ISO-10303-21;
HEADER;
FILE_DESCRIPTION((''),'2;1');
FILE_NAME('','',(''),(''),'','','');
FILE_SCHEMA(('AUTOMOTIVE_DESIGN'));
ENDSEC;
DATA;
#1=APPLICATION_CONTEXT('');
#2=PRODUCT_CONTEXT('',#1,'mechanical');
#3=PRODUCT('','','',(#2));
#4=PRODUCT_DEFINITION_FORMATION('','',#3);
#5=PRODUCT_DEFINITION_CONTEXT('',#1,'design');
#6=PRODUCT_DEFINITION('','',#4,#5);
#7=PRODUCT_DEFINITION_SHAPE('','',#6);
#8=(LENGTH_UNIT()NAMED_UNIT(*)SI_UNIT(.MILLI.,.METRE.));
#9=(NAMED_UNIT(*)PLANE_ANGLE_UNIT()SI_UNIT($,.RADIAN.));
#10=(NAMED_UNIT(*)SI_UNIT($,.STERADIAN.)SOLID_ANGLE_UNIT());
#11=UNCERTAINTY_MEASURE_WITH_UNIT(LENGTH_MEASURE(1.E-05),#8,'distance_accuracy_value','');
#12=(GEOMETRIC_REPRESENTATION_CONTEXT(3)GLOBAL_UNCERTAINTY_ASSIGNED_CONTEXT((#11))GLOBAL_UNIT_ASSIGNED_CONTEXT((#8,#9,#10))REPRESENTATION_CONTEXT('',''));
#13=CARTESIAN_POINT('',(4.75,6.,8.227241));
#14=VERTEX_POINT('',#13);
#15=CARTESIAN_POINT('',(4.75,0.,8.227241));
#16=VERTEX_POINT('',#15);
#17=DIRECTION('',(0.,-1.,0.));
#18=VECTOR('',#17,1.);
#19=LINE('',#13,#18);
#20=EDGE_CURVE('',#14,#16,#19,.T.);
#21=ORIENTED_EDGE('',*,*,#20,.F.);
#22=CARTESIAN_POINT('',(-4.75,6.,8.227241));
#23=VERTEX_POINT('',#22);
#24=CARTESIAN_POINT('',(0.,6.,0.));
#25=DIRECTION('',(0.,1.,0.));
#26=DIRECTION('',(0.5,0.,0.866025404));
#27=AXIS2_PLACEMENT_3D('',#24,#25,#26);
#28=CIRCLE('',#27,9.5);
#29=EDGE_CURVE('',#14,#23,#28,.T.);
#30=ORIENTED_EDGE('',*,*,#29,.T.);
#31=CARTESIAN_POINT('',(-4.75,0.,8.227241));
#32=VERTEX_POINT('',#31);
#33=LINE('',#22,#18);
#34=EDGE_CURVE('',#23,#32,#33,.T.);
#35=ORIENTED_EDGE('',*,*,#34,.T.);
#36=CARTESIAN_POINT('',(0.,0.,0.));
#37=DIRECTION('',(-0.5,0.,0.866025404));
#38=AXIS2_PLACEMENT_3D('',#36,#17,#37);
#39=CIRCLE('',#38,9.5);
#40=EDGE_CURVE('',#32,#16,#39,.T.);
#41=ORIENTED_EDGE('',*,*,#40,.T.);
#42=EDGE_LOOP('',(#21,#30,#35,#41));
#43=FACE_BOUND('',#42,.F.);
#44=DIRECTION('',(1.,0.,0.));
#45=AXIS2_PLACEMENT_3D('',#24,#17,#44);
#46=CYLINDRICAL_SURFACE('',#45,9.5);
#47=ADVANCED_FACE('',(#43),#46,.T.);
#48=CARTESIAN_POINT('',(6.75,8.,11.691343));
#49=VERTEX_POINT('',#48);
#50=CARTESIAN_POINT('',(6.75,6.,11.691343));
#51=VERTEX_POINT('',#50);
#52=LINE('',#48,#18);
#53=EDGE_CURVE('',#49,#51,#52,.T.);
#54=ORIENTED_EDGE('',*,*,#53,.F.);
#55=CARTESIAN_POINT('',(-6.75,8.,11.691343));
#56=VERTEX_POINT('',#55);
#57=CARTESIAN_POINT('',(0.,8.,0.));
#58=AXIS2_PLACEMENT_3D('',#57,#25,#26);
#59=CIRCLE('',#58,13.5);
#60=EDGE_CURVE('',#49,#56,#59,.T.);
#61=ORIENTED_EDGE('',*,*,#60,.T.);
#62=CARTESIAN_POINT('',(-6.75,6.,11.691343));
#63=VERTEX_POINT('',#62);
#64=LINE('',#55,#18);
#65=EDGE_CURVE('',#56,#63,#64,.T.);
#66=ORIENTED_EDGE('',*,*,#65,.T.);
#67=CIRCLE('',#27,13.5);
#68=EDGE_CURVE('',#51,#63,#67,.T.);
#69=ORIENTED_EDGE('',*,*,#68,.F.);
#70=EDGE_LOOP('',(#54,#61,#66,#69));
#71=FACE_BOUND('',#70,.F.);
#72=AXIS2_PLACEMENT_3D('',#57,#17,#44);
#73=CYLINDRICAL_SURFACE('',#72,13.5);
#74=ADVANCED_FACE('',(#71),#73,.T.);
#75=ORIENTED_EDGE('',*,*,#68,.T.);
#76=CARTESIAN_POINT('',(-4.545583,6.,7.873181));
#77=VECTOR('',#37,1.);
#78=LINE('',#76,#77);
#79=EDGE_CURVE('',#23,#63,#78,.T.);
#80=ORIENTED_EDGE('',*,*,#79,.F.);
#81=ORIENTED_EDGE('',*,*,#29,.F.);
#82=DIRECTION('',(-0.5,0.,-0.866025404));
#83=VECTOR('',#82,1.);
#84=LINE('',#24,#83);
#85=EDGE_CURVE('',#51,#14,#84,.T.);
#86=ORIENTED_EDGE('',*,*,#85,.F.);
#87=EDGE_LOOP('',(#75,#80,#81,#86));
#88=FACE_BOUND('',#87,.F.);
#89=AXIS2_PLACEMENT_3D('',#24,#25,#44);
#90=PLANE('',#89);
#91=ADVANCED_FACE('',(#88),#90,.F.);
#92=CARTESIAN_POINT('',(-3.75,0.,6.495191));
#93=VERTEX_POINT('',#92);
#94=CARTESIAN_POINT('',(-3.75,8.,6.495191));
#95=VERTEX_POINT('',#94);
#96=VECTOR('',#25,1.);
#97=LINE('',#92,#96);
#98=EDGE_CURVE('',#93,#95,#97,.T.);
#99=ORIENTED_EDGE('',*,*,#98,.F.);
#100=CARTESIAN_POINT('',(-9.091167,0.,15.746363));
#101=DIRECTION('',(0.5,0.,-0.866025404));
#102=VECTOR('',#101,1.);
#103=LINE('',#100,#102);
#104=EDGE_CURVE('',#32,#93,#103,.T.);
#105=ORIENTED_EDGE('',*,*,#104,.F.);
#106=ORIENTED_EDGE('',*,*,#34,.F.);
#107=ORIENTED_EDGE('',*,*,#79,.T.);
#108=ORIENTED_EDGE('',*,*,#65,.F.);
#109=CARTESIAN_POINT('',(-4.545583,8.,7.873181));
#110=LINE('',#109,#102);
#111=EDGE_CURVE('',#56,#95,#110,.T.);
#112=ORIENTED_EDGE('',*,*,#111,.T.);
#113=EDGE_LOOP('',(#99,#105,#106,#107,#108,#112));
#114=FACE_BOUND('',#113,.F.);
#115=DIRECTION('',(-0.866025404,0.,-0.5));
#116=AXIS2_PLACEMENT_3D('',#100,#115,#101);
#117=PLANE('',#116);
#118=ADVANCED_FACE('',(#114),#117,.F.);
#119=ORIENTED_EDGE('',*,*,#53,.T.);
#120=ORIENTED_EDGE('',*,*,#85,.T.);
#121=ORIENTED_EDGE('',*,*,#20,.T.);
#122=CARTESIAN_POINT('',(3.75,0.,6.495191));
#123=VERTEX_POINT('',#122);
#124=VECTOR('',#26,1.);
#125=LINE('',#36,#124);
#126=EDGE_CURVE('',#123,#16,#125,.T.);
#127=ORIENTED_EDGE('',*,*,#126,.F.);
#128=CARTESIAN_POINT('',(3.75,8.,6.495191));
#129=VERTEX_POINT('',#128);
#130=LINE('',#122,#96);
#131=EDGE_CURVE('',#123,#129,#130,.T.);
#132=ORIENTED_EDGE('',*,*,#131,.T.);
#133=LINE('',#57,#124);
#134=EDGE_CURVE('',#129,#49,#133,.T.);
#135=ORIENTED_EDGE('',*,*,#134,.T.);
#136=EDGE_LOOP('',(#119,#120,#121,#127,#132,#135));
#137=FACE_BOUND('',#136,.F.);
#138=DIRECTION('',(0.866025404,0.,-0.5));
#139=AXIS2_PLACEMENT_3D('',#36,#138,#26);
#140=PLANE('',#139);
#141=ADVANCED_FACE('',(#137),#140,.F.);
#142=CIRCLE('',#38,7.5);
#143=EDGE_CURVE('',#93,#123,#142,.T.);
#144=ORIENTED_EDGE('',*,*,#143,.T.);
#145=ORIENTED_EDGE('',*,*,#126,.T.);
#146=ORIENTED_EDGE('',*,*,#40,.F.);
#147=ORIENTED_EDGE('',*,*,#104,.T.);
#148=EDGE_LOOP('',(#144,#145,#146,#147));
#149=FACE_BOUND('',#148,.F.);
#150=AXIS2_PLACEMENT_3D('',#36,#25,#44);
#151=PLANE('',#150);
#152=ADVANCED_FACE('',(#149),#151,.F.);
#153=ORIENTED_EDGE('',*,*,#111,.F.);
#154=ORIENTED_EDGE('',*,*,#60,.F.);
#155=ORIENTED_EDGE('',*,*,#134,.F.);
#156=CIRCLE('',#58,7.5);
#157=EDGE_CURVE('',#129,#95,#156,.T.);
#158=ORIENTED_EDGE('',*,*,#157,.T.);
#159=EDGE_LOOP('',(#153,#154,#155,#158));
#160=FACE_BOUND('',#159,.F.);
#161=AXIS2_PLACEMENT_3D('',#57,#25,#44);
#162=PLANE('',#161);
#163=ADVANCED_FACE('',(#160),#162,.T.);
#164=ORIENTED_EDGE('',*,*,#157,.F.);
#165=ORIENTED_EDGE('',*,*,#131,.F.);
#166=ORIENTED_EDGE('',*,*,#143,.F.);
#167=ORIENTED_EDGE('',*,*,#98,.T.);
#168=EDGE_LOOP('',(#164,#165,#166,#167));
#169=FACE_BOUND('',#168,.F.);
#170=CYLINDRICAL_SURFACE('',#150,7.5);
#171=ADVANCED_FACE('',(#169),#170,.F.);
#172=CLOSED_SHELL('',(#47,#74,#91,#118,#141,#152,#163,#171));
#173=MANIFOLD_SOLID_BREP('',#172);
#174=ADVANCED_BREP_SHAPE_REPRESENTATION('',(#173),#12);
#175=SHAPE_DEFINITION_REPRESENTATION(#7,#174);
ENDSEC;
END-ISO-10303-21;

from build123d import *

# Parameters (mm, degrees)
CUT_EXTRUDE1_DEPTH = 10


with BuildPart() as part:
    # Sketch1 → Revolve1 (revolve)
    with BuildSketch(Plane.XY):
        Polygon((7.5, 0), (7.5, 8), (13.5, 8), (13.5, 6), (9.5, 6), (9.5, 0), align=None)
    revolve(axis=Axis((0, 0, 0), (0, 1, 0)))

    # Sketch2 → Cut-Extrude1 (cut)
    with BuildSketch(Plane(origin=(0, 0, 0), x_dir=(1, 0, 0), z_dir=(0, 1, 0))):
        Polygon((-9.091166867, -15.746362913), (0, 0), (8.625529774, -14.939855811), align=None)
    extrude(amount=CUT_EXTRUDE1_DEPTH, mode=Mode.SUBTRACT)


solid = part.part
